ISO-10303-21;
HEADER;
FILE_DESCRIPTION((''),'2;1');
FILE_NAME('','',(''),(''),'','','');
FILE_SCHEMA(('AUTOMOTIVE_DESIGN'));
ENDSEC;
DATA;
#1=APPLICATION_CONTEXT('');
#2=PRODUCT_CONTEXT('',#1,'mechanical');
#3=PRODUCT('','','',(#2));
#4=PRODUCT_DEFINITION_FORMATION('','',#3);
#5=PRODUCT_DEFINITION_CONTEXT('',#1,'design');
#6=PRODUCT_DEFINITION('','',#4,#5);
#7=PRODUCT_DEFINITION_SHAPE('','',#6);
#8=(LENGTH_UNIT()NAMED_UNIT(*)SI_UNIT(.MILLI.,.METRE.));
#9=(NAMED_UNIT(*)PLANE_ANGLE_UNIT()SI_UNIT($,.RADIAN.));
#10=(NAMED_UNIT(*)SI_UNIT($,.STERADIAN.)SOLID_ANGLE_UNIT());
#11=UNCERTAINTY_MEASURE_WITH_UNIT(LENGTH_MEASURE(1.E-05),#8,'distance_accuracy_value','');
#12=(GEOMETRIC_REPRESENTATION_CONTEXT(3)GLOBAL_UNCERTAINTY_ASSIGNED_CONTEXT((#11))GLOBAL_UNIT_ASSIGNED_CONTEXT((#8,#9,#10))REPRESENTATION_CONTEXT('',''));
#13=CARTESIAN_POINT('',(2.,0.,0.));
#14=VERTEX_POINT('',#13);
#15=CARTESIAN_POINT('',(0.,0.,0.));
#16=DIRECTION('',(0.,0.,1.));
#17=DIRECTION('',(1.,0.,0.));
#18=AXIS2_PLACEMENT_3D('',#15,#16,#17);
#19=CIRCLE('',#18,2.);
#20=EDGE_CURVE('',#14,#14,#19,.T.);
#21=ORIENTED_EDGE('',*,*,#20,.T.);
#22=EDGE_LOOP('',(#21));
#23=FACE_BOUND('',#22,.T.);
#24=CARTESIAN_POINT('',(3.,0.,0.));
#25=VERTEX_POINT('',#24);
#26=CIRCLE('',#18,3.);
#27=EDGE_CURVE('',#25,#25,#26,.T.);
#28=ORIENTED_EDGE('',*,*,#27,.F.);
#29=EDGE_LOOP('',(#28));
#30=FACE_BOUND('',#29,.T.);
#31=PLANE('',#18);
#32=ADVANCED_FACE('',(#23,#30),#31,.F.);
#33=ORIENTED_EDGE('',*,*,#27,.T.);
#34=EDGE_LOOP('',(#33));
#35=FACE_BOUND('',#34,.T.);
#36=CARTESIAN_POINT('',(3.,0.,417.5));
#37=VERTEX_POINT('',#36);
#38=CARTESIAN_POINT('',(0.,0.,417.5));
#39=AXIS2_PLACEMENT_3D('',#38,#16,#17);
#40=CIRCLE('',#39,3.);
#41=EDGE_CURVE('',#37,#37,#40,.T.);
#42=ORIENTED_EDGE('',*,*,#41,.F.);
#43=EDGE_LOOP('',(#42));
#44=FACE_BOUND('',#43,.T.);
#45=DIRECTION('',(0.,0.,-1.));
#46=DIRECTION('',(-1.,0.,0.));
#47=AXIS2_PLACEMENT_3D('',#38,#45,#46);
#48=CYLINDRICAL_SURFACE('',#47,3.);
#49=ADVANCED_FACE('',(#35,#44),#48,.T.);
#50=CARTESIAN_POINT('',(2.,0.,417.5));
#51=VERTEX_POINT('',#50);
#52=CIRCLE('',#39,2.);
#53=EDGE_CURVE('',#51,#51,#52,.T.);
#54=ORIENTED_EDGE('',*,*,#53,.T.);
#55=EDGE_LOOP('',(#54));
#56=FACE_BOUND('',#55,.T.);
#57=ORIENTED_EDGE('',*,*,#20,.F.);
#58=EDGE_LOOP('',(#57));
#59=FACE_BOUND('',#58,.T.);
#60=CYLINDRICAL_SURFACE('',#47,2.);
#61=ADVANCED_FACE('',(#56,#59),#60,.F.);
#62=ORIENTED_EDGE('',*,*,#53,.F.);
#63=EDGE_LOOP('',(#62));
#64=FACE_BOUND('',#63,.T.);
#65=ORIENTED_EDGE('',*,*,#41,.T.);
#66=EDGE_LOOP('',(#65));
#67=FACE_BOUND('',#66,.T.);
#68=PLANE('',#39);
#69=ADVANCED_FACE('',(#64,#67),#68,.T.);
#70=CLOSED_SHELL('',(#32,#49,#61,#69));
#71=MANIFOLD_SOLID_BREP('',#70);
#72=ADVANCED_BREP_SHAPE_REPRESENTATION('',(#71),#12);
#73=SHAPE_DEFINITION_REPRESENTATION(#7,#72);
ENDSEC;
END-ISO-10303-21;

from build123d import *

# Parameters (mm, degrees)
SKETCH1_R           = 3
BOSS_EXTRUDE1_DEPTH = 417.5
SKETCH2_R           = 2
CUT_EXTRUDE1_DEPTH  = 418.52155633


with BuildPart() as part:
    # Sketch1 → Boss-Extrude1 (new body)
    with BuildSketch(Plane.XY):
        Circle(SKETCH1_R)
    extrude(amount=BOSS_EXTRUDE1_DEPTH)

    # Sketch2 → Cut-Extrude1 (cut, through all)
    with BuildSketch(Plane.XY):
        Circle(SKETCH2_R)
    extrude(amount=CUT_EXTRUDE1_DEPTH, mode=Mode.SUBTRACT)


solid = part.part
